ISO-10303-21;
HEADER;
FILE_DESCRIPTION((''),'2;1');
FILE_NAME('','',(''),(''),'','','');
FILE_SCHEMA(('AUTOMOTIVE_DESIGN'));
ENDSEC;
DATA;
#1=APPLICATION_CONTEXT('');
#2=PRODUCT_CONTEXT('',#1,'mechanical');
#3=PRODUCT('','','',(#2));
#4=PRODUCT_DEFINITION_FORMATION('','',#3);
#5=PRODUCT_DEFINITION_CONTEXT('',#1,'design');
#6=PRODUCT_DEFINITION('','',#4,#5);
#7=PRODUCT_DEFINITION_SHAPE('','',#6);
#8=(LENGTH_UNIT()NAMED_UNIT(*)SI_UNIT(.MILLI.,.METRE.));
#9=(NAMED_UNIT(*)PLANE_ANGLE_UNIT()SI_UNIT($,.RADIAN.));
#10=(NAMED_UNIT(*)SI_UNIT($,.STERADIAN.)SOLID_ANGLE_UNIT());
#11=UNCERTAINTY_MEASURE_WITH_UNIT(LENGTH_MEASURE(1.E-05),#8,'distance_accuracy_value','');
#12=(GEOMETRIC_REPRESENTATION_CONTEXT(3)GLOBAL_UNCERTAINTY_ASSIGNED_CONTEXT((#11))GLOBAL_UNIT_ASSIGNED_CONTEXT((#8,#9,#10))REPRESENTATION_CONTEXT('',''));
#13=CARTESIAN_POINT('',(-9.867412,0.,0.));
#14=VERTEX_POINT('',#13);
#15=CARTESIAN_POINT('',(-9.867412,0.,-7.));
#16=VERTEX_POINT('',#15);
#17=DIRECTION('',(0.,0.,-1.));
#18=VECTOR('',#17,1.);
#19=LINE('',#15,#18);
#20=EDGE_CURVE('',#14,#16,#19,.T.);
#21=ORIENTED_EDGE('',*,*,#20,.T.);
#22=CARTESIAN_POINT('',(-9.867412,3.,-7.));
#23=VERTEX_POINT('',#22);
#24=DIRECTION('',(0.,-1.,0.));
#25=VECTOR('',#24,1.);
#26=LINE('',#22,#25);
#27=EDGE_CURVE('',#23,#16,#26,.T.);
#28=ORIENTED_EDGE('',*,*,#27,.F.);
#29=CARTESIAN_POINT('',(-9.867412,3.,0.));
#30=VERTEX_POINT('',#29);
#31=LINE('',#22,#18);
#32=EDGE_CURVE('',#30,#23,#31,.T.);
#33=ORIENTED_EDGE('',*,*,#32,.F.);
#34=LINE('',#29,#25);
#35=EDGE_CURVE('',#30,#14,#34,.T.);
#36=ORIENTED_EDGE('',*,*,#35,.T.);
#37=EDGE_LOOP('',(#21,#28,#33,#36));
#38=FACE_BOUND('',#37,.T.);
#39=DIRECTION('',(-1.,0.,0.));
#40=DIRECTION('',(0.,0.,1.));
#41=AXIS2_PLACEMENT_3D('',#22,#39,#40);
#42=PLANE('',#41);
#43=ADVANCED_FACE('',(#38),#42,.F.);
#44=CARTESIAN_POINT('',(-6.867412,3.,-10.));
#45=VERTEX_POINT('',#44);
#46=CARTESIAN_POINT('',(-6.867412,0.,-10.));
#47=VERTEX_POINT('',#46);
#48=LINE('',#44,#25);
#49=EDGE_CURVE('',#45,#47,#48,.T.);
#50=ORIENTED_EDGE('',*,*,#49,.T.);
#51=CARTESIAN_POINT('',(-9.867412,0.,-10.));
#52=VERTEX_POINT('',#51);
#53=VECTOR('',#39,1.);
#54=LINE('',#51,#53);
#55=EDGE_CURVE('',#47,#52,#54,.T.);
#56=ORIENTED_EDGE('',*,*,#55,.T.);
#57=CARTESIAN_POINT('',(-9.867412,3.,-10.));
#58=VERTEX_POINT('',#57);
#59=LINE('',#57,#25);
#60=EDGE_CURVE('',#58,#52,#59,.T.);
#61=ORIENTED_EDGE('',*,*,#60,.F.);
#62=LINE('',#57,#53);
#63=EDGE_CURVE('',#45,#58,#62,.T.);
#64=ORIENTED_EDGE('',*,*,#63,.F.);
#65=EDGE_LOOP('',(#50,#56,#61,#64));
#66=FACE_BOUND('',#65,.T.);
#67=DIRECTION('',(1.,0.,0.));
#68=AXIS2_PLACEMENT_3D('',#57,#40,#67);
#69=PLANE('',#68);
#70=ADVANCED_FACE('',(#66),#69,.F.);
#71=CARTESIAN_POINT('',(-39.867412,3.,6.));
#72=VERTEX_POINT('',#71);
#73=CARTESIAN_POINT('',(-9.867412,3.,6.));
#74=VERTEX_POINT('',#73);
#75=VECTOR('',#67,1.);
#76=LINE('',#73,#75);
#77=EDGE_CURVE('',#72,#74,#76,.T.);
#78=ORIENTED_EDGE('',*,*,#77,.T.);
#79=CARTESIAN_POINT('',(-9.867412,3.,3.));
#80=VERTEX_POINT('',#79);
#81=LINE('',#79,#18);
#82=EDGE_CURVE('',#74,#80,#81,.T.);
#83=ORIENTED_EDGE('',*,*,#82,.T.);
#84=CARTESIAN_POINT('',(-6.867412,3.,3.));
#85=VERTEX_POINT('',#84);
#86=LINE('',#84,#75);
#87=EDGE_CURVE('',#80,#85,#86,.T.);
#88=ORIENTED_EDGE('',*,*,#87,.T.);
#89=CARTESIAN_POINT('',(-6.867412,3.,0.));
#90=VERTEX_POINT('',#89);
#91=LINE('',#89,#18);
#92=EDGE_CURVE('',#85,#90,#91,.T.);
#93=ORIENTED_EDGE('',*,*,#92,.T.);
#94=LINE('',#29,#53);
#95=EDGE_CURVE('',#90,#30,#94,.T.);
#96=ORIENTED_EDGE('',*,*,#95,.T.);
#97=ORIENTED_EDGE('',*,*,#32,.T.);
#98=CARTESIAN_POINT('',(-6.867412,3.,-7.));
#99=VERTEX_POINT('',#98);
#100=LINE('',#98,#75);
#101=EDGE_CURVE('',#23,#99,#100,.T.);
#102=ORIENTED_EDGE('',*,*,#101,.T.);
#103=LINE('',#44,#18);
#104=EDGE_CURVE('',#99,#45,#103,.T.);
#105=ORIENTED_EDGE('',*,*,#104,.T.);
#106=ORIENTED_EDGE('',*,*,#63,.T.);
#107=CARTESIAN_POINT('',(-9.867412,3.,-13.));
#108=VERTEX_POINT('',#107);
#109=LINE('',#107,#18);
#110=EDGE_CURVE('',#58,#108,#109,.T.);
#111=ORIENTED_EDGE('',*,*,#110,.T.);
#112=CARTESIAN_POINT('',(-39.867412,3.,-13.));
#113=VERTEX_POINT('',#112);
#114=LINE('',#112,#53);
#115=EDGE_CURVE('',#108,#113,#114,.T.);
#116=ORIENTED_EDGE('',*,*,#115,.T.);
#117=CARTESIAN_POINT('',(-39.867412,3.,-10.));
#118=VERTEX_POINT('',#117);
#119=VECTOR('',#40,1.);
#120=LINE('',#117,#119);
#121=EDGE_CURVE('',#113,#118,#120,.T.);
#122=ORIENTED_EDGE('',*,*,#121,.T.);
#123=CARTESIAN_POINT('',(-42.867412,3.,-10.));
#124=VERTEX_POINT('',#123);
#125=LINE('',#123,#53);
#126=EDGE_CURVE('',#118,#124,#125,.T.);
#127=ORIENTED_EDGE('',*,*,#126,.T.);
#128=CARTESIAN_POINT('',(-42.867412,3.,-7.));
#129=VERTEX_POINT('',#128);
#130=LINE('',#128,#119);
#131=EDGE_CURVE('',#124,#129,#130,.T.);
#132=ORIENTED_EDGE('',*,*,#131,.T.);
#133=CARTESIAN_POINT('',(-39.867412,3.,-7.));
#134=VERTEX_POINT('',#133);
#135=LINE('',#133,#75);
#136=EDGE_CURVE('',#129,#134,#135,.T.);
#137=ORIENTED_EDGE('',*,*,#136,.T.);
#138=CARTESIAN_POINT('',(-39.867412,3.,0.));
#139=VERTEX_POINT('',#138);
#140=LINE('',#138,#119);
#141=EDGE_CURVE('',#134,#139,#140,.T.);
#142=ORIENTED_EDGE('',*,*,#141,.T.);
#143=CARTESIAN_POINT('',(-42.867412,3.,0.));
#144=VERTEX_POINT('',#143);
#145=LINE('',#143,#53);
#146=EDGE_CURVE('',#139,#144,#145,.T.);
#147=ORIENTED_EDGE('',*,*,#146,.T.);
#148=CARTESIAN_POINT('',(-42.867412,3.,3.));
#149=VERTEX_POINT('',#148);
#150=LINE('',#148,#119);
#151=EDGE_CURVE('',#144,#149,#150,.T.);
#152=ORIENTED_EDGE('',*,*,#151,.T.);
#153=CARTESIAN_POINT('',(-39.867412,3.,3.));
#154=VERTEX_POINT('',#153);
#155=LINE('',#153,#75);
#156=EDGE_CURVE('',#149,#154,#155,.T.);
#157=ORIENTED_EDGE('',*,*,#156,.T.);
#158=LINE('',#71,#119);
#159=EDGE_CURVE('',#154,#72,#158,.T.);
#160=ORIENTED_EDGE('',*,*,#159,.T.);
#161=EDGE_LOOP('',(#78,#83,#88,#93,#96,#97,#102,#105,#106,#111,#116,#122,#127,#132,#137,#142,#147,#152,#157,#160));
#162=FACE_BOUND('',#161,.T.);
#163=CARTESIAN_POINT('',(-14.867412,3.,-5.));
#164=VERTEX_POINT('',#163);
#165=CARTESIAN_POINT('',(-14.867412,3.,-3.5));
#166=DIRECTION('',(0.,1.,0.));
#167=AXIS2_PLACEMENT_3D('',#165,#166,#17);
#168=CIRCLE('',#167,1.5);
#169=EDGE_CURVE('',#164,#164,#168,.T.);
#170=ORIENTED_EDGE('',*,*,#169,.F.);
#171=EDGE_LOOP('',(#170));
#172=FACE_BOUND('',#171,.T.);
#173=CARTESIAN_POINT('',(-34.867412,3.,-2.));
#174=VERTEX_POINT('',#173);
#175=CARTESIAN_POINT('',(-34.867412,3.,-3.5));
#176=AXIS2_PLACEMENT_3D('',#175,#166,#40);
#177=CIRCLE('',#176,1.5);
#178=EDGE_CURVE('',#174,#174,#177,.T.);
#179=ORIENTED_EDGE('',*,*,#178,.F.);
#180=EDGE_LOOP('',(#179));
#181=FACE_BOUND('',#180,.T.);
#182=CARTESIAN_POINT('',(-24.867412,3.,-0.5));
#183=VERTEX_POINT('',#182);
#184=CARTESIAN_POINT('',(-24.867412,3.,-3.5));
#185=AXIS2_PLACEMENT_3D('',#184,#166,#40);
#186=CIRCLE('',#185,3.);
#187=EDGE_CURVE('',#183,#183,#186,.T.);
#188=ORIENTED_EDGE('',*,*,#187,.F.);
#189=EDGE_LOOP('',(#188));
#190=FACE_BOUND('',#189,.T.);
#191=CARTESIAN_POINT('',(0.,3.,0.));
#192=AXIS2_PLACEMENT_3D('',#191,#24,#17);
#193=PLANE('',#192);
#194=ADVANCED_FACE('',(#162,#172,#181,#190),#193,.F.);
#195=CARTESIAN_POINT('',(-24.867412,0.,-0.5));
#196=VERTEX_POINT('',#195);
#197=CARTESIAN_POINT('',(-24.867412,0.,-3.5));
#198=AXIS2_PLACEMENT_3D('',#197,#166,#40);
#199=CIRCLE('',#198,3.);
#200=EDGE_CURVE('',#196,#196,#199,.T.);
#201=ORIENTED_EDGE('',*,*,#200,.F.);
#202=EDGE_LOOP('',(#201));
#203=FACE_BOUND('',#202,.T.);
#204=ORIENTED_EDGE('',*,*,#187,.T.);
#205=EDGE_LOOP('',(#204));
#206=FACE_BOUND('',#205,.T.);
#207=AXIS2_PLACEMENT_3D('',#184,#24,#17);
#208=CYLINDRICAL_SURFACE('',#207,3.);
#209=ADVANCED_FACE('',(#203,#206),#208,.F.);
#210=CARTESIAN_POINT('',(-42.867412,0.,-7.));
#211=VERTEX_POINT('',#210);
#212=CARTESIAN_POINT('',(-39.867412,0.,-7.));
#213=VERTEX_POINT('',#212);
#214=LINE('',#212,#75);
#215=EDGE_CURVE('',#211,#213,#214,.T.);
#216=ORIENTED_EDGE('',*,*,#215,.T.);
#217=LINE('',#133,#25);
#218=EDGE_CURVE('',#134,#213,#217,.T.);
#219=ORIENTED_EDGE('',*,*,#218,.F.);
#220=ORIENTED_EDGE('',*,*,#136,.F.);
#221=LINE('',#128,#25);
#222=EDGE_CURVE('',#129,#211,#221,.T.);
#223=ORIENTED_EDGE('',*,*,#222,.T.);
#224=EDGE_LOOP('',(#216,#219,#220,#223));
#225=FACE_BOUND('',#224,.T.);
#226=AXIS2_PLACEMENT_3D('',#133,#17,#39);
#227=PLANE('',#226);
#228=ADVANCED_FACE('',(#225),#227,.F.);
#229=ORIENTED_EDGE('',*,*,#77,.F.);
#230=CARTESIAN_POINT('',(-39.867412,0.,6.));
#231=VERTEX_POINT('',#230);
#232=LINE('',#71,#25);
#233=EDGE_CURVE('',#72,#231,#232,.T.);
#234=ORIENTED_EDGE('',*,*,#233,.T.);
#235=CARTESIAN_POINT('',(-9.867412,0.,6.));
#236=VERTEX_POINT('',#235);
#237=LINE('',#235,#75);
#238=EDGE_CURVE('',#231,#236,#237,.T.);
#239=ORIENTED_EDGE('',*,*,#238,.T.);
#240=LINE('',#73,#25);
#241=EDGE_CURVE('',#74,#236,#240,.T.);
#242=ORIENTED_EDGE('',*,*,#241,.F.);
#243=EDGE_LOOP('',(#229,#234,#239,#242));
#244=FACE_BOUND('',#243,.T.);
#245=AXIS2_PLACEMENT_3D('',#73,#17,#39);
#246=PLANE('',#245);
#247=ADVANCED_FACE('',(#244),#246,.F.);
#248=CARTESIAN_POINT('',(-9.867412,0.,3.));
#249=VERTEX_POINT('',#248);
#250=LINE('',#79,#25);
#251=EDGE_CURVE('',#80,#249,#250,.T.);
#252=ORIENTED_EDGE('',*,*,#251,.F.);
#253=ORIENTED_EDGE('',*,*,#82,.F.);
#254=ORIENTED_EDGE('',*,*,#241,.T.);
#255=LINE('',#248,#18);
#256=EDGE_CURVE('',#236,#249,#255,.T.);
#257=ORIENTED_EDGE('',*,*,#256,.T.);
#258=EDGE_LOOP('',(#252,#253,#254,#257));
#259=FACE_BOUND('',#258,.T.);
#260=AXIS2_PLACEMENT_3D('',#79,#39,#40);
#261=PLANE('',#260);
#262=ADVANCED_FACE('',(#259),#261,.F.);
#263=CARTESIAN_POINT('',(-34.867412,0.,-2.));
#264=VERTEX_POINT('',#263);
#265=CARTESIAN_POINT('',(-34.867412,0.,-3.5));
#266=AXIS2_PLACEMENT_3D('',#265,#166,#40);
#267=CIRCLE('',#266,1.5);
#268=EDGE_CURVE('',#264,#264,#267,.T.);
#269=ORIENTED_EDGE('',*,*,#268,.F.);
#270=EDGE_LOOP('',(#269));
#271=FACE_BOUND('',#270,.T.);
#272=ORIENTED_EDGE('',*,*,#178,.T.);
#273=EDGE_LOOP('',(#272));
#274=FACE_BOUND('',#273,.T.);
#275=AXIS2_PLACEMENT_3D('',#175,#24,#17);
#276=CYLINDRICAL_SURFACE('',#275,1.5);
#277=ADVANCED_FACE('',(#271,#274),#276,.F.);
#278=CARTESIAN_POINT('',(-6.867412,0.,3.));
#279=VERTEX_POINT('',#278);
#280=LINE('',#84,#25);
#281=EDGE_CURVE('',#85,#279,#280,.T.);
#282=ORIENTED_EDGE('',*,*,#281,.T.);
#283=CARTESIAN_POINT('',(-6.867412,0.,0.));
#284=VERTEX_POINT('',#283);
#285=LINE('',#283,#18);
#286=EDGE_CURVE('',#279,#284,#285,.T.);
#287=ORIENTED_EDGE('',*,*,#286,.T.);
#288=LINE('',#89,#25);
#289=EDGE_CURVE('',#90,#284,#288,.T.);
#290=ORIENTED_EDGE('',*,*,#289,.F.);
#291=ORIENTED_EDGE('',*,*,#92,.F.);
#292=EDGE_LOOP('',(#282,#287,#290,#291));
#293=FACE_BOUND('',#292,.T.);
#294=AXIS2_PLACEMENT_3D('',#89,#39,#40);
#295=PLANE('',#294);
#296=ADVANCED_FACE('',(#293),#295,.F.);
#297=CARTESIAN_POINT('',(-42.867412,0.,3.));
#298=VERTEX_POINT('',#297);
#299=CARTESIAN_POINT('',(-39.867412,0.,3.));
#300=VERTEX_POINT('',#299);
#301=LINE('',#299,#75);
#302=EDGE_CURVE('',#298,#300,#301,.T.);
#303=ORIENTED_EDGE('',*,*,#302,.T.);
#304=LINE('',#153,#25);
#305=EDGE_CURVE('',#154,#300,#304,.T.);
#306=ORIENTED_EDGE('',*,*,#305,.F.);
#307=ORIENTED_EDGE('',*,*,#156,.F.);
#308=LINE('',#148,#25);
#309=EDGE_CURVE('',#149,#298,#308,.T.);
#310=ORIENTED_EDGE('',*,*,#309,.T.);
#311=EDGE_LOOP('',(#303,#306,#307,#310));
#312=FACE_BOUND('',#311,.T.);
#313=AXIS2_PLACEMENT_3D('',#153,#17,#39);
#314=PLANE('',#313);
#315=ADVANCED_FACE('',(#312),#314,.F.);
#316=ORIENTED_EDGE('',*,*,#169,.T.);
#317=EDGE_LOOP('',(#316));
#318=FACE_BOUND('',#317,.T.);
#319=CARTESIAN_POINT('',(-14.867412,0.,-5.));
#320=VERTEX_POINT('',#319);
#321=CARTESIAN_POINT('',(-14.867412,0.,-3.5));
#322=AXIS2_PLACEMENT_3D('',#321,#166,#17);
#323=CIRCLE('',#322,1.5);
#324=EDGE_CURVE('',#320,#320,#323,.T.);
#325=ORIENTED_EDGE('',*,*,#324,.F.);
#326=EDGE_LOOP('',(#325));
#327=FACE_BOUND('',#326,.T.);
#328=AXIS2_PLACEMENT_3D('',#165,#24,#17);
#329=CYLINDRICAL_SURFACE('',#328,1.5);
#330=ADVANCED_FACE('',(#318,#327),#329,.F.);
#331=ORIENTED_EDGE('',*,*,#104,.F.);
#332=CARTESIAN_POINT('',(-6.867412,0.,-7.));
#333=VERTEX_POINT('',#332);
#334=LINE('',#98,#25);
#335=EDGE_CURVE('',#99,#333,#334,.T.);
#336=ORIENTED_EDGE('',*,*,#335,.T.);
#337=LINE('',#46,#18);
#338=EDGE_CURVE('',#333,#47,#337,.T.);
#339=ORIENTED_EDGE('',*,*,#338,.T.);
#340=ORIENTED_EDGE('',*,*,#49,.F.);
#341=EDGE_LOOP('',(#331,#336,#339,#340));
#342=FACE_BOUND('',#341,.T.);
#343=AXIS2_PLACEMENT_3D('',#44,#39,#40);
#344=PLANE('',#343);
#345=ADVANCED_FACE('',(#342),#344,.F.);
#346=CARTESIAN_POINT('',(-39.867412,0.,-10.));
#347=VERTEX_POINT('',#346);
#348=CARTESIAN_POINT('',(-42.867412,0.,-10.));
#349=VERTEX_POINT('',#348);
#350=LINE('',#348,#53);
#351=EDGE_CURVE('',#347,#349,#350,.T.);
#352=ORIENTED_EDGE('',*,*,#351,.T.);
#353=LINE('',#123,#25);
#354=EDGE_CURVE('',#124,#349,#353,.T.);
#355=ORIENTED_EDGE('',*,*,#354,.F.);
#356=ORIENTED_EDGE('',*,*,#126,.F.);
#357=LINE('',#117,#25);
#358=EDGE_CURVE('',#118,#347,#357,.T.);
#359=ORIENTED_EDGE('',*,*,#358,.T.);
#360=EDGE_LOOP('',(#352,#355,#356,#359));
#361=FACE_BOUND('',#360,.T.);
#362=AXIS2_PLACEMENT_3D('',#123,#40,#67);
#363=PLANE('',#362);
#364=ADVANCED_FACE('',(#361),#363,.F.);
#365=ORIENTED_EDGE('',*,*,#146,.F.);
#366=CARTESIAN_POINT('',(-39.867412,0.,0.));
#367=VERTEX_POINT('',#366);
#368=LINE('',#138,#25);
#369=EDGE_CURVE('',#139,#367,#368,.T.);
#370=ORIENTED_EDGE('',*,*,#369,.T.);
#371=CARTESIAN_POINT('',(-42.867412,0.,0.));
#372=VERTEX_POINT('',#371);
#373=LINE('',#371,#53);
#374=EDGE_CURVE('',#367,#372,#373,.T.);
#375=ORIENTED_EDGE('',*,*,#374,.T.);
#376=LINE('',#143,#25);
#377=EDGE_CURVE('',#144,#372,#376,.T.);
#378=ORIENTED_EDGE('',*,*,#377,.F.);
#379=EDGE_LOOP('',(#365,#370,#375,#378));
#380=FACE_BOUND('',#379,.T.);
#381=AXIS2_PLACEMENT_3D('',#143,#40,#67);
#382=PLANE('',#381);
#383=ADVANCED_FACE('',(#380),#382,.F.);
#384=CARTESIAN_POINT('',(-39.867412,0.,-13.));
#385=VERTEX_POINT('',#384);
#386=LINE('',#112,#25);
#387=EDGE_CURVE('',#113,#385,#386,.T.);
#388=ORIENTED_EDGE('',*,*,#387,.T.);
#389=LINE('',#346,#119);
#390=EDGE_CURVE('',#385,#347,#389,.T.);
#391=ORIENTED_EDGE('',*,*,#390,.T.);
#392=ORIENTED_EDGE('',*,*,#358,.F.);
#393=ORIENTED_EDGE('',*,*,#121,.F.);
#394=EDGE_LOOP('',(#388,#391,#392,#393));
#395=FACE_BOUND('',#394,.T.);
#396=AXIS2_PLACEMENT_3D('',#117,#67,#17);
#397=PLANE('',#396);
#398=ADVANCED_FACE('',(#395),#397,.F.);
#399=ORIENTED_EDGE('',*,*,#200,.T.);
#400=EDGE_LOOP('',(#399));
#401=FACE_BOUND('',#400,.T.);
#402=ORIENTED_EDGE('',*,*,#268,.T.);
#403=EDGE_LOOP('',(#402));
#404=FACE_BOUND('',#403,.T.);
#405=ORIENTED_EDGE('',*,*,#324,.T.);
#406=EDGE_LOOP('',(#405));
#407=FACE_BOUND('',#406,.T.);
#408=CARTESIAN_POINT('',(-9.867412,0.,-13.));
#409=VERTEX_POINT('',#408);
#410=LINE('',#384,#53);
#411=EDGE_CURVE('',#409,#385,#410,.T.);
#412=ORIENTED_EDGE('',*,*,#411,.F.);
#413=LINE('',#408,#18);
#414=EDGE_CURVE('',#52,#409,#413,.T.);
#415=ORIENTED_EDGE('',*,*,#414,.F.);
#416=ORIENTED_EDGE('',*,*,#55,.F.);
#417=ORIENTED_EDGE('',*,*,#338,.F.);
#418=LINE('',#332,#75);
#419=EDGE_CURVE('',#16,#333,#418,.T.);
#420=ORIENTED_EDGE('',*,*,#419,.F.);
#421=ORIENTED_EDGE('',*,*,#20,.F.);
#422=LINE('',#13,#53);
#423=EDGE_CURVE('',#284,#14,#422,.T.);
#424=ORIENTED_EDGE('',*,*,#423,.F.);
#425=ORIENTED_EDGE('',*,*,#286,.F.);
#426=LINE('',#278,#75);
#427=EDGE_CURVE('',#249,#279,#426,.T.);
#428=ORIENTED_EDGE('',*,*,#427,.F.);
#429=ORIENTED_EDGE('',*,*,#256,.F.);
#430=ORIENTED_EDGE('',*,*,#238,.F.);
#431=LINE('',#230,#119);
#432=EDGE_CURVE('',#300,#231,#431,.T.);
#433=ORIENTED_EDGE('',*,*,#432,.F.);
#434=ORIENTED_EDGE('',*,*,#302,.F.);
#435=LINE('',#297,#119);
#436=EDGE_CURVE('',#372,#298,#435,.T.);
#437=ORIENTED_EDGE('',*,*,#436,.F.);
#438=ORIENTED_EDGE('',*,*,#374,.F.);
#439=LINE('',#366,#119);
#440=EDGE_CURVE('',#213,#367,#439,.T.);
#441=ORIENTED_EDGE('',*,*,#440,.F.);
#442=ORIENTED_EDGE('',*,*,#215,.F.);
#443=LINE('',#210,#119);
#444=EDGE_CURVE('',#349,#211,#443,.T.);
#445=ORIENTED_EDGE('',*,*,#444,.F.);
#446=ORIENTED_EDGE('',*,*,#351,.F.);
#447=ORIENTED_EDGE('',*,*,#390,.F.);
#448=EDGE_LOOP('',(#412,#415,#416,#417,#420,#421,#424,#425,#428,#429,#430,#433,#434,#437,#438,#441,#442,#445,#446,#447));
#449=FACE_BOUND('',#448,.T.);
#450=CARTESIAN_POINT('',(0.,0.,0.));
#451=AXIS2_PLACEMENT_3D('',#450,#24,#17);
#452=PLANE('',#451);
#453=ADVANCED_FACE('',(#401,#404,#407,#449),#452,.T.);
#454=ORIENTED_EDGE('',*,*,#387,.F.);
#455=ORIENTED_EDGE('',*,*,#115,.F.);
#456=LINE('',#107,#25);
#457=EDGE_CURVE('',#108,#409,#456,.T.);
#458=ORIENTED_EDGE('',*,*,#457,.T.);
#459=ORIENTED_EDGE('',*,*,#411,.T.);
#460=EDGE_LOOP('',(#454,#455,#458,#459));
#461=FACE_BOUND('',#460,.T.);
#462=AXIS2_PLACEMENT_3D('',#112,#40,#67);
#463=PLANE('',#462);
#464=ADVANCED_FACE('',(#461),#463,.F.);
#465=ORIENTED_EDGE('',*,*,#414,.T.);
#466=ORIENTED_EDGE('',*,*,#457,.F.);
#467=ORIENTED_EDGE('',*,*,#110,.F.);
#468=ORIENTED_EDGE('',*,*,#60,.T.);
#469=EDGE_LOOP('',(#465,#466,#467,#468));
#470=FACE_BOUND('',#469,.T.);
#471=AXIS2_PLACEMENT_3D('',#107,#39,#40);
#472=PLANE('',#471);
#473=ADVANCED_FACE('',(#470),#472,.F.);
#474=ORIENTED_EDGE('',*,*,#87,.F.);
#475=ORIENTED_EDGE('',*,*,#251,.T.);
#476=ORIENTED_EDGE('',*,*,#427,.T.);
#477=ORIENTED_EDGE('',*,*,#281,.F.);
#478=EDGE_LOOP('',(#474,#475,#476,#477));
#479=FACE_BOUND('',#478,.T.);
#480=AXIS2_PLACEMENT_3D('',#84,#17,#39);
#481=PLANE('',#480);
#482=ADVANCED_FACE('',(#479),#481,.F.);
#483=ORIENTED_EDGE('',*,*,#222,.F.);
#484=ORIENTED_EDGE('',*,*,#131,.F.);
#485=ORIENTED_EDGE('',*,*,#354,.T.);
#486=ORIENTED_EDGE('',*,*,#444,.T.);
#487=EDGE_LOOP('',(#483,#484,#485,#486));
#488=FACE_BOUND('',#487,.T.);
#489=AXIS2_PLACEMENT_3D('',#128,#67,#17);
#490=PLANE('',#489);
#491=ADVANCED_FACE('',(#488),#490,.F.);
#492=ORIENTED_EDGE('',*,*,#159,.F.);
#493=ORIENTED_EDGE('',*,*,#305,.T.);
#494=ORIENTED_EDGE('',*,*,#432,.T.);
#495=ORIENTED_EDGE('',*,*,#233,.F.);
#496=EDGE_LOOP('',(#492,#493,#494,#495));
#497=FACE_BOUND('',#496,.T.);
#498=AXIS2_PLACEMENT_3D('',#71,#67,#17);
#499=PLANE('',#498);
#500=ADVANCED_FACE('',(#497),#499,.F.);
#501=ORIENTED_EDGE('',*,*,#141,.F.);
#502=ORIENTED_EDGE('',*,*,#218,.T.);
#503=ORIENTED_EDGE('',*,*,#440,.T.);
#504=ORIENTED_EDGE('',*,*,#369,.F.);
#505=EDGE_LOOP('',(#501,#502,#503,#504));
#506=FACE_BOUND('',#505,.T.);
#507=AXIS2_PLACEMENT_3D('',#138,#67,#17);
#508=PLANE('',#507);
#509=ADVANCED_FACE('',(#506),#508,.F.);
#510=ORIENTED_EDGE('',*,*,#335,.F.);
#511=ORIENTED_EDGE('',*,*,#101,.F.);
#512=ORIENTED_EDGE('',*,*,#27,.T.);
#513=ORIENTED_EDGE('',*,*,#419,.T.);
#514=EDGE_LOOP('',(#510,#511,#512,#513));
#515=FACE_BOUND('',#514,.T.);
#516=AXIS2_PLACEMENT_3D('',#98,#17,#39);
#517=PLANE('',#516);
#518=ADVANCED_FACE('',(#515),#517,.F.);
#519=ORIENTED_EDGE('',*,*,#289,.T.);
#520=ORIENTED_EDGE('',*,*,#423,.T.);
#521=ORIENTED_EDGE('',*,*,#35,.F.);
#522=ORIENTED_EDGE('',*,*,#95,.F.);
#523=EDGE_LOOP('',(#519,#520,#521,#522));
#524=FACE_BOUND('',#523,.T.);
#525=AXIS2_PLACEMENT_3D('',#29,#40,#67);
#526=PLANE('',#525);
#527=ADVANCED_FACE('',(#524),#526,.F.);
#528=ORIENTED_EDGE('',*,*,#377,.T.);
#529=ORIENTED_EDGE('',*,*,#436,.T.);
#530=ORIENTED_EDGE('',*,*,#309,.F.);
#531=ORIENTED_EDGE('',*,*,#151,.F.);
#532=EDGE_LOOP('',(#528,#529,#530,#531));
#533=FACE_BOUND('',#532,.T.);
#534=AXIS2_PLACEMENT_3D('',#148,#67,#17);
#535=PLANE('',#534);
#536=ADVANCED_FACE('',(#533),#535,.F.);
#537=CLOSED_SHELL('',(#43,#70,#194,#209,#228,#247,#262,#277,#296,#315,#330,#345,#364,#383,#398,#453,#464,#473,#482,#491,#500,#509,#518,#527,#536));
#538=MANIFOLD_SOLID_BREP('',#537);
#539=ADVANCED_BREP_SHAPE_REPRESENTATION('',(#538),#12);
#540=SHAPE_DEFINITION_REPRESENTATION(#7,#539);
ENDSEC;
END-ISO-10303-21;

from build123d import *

# Parameters (mm, degrees)
SKETCH1_R           = 3
SKETCH1_R_2         = 1.5
BOSS_EXTRUDE1_DEPTH = 3


with BuildPart() as part:
    # Sketch1 → Boss-Extrude1 (new body)
    with BuildSketch(Plane(origin=(0, 0, 0), x_dir=(1, 0, 0), z_dir=(0, 1, 0))):
        Polygon((-42.867412192, 7), (-42.867412192, 10), (-39.867412192, 10), (-39.867412192, 13), (-9.867412192, 13), (-9.867412192, 10), (-6.867412192, 10), (-6.867412192, 7), (-9.867412192, 7), (-9.867412192, 0), (-6.867412192, 0), (-6.867412192, -3), (-9.867412192, -3), (-9.867412192, -6), (-39.867412192, -6), (-39.867412192, -3), (-42.867412192, -3), (-42.867412192, 0), (-39.867412192, 0), (-39.867412192, 7), align=None)
        with Locations((-24.867412192, 3.5)):
            Circle(SKETCH1_R, mode=Mode.SUBTRACT)
        with Locations((-34.867412192, 3.5)):
            Circle(SKETCH1_R_2, mode=Mode.SUBTRACT)
        with Locations((-14.867412192, 3.5)):
            Circle(SKETCH1_R_2, mode=Mode.SUBTRACT)
    extrude(amount=BOSS_EXTRUDE1_DEPTH)


solid = part.part
